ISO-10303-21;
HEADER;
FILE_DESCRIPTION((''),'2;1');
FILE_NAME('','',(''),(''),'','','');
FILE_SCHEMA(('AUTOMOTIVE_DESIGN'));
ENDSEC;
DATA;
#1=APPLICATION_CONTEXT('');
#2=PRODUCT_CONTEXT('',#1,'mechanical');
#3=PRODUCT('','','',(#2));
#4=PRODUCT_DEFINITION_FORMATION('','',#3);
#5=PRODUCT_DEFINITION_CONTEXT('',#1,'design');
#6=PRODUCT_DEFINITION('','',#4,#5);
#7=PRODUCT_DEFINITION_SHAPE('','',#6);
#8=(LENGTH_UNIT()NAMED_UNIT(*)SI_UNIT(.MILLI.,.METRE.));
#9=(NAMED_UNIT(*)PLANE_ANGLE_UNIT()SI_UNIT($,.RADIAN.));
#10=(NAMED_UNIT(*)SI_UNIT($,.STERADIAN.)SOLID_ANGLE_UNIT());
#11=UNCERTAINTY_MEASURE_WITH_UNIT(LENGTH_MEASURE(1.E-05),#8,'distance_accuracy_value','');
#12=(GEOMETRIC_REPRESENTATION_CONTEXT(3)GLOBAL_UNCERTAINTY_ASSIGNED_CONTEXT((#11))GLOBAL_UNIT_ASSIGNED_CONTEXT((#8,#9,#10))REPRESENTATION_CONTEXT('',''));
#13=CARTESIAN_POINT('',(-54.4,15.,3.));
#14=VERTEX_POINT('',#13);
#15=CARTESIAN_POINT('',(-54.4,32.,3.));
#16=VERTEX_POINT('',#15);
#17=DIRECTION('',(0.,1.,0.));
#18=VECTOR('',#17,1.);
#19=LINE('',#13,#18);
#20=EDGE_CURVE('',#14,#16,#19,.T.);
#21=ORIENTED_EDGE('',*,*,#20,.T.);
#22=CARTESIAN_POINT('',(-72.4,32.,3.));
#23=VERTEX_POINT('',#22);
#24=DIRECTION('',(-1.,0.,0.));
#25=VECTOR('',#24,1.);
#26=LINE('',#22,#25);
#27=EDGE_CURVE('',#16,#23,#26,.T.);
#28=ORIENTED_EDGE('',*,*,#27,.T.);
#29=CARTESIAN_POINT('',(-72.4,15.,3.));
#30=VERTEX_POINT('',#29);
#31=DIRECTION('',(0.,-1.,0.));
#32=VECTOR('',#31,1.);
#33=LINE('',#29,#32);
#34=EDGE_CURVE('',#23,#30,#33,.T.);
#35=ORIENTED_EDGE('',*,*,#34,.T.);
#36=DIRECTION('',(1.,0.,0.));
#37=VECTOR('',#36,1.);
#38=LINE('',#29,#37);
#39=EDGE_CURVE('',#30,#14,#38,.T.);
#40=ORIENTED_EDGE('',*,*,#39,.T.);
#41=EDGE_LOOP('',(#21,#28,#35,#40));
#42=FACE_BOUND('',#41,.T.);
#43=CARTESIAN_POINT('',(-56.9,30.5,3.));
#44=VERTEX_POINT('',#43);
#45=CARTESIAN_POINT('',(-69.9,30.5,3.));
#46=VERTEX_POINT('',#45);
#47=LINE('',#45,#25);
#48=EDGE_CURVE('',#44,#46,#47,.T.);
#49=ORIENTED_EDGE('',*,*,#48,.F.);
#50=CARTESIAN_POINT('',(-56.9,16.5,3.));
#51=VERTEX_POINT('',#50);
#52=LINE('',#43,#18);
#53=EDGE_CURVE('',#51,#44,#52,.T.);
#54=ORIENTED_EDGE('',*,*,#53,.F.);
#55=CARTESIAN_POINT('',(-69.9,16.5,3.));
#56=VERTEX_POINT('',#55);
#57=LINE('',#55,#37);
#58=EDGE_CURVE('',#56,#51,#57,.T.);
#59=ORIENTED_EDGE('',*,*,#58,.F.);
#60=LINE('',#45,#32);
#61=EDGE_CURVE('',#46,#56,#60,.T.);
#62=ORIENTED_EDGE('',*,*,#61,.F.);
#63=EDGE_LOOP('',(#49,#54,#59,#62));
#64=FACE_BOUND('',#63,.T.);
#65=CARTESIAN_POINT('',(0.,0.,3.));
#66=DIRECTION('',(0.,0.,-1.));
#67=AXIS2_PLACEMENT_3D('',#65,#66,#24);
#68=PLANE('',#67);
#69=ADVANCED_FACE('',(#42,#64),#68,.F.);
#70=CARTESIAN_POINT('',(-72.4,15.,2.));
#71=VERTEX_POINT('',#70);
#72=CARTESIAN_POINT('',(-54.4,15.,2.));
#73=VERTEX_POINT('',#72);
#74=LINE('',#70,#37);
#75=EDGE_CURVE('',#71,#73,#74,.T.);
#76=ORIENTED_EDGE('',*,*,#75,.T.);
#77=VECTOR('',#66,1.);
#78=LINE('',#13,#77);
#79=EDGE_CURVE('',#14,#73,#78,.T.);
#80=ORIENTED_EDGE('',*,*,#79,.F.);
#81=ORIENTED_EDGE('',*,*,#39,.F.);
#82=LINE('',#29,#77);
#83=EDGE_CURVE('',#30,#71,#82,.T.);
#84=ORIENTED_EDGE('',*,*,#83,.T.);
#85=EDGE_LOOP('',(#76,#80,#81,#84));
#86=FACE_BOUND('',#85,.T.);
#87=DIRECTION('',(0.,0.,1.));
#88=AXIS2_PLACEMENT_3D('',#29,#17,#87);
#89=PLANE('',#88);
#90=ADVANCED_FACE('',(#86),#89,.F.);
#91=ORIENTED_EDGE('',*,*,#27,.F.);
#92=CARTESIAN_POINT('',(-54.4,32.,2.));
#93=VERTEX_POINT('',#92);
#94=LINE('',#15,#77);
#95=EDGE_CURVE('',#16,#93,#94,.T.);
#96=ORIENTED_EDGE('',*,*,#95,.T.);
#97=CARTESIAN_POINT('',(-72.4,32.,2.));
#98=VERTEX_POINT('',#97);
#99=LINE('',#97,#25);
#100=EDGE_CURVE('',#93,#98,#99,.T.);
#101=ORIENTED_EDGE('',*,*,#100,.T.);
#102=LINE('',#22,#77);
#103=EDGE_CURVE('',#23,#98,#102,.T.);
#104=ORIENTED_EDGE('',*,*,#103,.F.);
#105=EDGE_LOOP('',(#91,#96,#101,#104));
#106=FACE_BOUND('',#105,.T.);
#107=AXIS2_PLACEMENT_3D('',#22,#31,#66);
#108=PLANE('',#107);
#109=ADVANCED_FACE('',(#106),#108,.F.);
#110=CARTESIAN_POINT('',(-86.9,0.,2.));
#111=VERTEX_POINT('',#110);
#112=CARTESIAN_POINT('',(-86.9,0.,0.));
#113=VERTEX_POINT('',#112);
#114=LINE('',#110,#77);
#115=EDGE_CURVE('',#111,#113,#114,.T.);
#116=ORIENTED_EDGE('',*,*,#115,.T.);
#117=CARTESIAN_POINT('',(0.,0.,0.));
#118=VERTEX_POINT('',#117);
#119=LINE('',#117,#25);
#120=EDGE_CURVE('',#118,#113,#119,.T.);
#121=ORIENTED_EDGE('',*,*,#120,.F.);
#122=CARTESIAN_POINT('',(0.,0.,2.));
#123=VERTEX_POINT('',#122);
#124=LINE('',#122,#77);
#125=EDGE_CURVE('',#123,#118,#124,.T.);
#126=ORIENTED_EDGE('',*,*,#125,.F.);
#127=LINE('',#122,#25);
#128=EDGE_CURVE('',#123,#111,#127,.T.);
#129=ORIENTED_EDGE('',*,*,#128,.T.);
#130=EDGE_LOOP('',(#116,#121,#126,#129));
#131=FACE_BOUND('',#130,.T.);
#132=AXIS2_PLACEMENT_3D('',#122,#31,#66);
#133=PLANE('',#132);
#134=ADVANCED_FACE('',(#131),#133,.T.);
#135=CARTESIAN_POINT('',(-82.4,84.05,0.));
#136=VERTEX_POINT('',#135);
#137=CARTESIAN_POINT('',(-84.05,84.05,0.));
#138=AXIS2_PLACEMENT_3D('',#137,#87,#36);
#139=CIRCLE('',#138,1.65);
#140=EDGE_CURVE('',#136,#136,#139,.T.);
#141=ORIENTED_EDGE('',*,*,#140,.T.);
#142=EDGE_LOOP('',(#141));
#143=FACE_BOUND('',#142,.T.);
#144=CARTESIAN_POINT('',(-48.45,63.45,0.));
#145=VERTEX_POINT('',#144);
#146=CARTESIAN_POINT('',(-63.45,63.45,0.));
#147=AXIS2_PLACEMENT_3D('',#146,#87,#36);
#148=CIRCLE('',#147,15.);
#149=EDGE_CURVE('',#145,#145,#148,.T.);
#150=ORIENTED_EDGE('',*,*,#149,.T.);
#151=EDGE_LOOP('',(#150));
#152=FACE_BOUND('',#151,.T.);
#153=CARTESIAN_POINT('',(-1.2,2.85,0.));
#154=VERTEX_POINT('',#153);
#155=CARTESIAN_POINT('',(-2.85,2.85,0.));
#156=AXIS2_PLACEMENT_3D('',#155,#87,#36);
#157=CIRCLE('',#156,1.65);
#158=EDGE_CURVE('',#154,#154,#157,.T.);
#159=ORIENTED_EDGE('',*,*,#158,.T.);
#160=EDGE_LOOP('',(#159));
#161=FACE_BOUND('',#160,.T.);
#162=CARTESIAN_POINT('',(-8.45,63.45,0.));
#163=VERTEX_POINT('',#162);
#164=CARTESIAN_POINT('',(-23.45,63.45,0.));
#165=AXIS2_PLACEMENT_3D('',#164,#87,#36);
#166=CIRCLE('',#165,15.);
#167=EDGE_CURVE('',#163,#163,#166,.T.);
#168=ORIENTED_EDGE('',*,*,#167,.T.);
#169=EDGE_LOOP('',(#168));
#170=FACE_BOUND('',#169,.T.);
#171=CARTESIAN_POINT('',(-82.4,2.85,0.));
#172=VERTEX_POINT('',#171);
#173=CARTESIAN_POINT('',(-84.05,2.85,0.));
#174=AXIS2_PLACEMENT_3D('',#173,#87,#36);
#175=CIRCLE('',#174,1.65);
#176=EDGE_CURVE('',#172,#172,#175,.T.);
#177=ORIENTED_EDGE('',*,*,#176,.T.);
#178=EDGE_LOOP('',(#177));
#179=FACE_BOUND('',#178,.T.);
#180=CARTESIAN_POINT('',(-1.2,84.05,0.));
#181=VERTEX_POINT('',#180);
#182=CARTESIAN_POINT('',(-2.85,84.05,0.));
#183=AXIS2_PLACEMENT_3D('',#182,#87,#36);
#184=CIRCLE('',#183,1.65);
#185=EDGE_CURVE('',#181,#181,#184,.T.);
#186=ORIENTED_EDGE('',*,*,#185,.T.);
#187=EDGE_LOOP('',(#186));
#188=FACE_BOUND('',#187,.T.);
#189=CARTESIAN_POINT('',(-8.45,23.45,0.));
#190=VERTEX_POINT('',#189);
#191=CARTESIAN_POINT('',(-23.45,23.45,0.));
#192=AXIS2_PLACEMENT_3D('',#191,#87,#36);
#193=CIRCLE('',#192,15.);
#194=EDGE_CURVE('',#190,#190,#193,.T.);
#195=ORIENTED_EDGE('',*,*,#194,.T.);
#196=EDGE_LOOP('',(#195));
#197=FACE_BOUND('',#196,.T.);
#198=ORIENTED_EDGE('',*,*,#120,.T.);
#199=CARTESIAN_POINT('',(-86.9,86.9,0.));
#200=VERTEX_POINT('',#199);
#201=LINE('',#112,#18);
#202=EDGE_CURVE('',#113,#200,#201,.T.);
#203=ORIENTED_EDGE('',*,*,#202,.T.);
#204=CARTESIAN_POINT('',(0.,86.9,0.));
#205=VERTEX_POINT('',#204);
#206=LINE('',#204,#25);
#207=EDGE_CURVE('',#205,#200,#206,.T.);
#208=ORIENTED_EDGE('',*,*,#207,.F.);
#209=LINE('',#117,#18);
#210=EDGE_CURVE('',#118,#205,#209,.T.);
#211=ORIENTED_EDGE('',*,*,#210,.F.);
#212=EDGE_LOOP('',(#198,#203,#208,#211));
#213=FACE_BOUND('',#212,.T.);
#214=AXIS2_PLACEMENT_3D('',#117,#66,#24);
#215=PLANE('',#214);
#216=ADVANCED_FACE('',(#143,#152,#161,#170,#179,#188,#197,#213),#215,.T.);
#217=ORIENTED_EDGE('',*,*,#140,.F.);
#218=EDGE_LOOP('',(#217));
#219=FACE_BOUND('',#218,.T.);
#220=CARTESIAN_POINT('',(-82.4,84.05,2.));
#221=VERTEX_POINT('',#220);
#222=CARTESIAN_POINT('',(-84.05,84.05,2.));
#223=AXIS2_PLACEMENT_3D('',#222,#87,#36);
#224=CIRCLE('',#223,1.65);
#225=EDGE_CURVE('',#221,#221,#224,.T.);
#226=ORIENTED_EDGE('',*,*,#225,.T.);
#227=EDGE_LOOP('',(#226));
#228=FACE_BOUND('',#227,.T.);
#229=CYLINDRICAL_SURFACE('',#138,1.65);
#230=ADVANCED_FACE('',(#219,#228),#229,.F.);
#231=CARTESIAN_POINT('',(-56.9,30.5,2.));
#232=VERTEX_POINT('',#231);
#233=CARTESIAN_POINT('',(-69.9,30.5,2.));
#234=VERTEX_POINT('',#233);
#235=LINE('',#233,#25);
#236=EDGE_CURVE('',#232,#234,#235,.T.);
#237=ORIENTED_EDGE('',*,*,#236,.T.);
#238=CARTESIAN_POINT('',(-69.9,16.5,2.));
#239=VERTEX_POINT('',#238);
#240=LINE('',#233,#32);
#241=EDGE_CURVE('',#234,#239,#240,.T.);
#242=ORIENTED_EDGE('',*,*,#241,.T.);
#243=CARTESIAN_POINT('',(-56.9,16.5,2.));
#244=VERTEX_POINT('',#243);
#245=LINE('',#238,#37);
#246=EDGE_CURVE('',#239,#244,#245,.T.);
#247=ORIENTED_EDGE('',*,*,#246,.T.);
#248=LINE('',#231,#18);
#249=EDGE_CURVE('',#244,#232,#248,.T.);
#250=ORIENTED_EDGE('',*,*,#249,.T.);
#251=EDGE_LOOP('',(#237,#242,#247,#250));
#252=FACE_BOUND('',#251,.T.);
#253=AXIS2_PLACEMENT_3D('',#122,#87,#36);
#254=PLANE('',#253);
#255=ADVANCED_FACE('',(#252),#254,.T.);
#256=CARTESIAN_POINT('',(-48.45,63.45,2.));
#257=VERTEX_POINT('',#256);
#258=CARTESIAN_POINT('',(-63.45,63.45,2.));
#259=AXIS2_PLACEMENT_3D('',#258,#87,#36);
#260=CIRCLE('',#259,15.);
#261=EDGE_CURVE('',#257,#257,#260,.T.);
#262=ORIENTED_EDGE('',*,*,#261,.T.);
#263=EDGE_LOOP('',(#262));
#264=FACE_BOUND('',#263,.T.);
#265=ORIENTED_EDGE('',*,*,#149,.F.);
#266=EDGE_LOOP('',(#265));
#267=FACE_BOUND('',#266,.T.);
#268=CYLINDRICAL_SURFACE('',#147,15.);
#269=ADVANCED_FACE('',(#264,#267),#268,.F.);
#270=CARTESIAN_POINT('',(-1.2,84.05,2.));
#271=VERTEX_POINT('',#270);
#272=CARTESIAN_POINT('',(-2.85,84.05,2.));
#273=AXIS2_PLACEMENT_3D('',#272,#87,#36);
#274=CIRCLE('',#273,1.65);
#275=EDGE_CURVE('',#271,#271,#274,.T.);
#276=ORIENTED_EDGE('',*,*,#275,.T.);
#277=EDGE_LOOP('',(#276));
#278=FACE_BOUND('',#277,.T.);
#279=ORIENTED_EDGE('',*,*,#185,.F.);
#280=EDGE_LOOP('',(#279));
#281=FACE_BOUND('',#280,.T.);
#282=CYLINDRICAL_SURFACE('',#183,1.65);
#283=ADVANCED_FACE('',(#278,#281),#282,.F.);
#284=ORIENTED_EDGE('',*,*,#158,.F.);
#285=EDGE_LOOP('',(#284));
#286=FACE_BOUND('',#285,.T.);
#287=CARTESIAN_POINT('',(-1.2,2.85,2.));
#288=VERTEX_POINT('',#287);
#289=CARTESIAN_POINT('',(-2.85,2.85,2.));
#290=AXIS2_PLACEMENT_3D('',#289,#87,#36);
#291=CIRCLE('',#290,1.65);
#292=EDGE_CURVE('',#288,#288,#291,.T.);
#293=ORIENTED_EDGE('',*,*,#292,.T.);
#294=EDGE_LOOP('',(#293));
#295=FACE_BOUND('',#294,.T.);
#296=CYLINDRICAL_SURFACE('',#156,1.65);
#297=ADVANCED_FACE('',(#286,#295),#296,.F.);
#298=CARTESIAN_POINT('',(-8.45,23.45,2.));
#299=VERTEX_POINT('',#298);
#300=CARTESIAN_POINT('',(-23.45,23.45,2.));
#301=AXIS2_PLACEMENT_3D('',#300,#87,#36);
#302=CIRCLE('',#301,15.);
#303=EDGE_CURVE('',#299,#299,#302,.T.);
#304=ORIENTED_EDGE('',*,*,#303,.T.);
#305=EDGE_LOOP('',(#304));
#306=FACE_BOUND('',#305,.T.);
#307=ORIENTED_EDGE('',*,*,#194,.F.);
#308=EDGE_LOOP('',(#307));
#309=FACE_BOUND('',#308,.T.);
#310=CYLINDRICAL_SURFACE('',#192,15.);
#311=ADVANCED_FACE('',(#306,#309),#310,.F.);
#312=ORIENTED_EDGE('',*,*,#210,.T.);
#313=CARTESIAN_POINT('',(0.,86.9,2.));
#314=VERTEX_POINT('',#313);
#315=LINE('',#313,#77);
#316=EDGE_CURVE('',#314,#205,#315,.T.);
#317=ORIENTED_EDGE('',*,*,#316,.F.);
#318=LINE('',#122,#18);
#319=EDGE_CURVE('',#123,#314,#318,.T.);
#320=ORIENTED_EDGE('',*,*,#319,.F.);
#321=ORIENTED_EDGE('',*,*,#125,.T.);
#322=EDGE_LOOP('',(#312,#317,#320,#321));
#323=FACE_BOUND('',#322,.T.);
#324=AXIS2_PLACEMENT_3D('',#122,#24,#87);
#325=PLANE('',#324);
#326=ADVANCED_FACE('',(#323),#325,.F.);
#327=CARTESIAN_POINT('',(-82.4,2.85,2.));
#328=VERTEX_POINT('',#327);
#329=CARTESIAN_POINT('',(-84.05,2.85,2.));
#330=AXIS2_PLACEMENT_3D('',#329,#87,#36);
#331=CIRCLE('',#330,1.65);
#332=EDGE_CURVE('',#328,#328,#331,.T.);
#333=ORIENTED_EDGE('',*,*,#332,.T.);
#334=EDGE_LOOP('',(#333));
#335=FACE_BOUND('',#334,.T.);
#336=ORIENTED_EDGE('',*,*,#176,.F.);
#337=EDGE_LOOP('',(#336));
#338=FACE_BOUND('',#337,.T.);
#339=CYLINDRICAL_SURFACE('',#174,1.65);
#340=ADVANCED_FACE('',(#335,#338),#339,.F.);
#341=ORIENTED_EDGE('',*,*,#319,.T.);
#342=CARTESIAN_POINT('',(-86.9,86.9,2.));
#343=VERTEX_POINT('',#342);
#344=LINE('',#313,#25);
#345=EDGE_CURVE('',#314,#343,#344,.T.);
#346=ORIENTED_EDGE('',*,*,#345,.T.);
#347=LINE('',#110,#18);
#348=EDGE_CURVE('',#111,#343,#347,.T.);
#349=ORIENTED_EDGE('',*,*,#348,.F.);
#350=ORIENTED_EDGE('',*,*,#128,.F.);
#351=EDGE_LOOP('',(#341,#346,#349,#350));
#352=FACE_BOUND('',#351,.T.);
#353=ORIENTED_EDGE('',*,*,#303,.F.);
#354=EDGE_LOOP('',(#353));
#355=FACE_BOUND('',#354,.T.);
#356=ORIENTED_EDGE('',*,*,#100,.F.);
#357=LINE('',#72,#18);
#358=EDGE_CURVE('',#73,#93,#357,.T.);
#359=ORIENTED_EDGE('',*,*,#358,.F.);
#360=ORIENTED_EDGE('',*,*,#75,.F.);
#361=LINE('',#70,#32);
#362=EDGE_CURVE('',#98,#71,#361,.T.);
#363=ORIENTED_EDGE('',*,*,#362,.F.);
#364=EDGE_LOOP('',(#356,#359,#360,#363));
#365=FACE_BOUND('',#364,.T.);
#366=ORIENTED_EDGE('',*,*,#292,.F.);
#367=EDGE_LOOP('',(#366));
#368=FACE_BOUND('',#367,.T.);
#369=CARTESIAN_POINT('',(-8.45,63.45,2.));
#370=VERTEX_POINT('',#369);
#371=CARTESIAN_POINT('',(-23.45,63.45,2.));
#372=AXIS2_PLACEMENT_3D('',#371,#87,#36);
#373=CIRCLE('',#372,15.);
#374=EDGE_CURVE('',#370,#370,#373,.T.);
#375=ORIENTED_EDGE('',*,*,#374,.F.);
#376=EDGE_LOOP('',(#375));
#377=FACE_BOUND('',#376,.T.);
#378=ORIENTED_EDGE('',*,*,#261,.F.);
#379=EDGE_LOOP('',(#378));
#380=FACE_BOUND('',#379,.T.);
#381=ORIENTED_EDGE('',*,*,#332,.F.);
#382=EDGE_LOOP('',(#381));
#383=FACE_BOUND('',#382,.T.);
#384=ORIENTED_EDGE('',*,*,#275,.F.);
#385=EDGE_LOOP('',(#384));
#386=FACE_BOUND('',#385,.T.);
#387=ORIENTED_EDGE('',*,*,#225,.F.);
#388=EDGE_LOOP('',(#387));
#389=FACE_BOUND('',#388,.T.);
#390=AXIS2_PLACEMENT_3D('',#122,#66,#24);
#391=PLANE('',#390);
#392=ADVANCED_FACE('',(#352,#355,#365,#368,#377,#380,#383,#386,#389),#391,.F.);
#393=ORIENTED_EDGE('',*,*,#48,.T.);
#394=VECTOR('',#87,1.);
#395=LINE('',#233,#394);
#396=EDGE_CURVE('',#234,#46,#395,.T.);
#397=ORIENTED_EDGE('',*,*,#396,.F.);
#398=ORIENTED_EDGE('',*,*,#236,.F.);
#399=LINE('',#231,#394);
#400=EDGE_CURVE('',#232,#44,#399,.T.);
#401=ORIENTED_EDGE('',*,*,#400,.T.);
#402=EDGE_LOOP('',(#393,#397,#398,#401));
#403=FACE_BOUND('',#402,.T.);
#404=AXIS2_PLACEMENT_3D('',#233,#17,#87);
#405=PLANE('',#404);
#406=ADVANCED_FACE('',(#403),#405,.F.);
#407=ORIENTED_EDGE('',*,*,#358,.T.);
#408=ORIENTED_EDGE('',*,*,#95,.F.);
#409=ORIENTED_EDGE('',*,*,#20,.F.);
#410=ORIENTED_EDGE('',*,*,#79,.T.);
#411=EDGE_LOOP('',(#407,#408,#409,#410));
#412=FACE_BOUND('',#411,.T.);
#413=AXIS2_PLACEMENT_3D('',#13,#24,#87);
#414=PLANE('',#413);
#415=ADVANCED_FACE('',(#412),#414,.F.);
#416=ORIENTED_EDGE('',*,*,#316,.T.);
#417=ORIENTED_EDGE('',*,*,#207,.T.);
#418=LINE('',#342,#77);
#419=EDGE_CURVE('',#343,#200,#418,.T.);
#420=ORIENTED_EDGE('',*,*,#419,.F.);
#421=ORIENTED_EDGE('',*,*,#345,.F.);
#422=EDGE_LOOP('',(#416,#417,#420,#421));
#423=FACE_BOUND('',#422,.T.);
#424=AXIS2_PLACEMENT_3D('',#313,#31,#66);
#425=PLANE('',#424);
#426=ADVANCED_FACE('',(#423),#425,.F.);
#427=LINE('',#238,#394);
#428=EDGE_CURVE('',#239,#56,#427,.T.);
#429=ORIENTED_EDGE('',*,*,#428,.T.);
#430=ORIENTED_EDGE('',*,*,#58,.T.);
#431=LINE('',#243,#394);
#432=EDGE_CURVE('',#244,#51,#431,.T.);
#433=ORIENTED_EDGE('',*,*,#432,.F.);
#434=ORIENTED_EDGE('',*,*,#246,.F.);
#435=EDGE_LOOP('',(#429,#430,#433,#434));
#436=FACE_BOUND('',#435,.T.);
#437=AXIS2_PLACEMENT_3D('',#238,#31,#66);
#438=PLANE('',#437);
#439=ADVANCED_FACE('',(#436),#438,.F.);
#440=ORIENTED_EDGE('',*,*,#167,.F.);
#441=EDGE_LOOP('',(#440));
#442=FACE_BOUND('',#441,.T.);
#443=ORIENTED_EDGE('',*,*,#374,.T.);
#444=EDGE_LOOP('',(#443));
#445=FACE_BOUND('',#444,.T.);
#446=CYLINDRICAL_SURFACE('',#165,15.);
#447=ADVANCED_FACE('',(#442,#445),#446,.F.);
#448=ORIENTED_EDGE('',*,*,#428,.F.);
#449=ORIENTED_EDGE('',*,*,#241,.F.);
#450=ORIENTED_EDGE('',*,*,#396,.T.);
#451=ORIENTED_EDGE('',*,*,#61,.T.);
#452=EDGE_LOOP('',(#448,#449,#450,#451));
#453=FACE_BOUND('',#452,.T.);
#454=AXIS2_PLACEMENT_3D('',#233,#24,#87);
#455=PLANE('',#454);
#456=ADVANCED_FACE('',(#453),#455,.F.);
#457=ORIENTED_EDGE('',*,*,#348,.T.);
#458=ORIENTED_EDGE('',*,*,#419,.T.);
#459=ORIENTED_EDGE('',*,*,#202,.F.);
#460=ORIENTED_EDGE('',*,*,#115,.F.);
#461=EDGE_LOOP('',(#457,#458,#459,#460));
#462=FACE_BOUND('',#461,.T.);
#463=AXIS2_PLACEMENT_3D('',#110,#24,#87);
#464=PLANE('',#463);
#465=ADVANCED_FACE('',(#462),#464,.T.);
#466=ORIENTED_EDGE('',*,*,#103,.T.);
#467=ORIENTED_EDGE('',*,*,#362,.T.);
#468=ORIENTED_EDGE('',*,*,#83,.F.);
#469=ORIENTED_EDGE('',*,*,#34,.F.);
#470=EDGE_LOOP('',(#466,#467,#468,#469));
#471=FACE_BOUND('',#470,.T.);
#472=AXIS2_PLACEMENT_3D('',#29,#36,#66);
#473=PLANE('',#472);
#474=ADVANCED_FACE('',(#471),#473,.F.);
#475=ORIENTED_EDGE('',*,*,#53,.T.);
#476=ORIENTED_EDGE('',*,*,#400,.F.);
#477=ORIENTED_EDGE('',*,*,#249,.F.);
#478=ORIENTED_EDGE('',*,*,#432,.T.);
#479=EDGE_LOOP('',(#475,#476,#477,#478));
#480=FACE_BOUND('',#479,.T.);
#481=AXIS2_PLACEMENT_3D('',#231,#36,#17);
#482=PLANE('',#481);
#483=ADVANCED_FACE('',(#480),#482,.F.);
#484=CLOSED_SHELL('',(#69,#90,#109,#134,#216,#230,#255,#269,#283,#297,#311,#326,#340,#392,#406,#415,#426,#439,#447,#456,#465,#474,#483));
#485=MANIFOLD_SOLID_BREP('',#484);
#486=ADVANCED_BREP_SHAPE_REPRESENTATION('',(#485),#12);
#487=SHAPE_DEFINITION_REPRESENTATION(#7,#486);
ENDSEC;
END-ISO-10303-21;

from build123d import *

# Parameters (mm, degrees)
SKETCH1_W           = 86.9
SKETCH1_H           = 86.9
BOSS_EXTRUDE1_DEPTH = 2
SKETCH2_R           = 1.65
CUT_EXTRUDE3_DEPTH  = 123.911431527
SKETCH3_W           = 18
SKETCH3_H           = 17
BOSS_EXTRUDE2_DEPTH = 1
SKETCH4_W           = 13
SKETCH4_H           = 14
CUT_EXTRUDE4_DEPTH  = 1
SKETCH5_R           = 15
CUT_EXTRUDE5_DEPTH  = 2


with BuildPart() as part:
    # Sketch1 → Boss-Extrude1 (new body)
    with BuildSketch(Plane(origin=(0, 0, 0), x_dir=(0, 1, 0), z_dir=(0, 0, 1))):
        with Locations((43.45, 43.45)):
            Rectangle(SKETCH1_W, SKETCH1_H)
    extrude(amount=BOSS_EXTRUDE1_DEPTH)

    # Sketch2 → Cut-Extrude3 (cut, through all)
    with BuildSketch(Plane.XY.offset(2)):
        with Locations((-84.05, 2.85)):
            Circle(SKETCH2_R)
        with Locations((-2.85, 2.85)):
            Circle(SKETCH2_R)
        with Locations((-2.85, 84.05)):
            Circle(SKETCH2_R)
        with Locations((-84.05, 84.05)):
            Circle(SKETCH2_R)
    extrude(amount=-CUT_EXTRUDE3_DEPTH, mode=Mode.SUBTRACT)

    # Sketch3 → Boss-Extrude2 (add)
    with BuildSketch(Plane.XY.offset(2)):
        with Locations((-63.4, 23.5)):
            Rectangle(SKETCH3_W, SKETCH3_H)
    extrude(amount=BOSS_EXTRUDE2_DEPTH)

    # Sketch4 → Cut-Extrude4 (cut)
    with BuildSketch(Plane.XY.offset(3)):
        with Locations((-63.4, 23.5)):
            Rectangle(SKETCH4_W, SKETCH4_H)
    extrude(amount=-CUT_EXTRUDE4_DEPTH, mode=Mode.SUBTRACT)

    # Sketch5 → Cut-Extrude5 (cut)
    with BuildSketch(Plane.XY.offset(2)):
        with Locations((-63.45, 63.45)):
            Circle(SKETCH5_R)
        with Locations((-23.45, 63.45)):
            Circle(SKETCH5_R)
        with Locations((-23.45, 23.45)):
            Circle(SKETCH5_R)
    extrude(amount=-CUT_EXTRUDE5_DEPTH, mode=Mode.SUBTRACT)


solid = part.part
